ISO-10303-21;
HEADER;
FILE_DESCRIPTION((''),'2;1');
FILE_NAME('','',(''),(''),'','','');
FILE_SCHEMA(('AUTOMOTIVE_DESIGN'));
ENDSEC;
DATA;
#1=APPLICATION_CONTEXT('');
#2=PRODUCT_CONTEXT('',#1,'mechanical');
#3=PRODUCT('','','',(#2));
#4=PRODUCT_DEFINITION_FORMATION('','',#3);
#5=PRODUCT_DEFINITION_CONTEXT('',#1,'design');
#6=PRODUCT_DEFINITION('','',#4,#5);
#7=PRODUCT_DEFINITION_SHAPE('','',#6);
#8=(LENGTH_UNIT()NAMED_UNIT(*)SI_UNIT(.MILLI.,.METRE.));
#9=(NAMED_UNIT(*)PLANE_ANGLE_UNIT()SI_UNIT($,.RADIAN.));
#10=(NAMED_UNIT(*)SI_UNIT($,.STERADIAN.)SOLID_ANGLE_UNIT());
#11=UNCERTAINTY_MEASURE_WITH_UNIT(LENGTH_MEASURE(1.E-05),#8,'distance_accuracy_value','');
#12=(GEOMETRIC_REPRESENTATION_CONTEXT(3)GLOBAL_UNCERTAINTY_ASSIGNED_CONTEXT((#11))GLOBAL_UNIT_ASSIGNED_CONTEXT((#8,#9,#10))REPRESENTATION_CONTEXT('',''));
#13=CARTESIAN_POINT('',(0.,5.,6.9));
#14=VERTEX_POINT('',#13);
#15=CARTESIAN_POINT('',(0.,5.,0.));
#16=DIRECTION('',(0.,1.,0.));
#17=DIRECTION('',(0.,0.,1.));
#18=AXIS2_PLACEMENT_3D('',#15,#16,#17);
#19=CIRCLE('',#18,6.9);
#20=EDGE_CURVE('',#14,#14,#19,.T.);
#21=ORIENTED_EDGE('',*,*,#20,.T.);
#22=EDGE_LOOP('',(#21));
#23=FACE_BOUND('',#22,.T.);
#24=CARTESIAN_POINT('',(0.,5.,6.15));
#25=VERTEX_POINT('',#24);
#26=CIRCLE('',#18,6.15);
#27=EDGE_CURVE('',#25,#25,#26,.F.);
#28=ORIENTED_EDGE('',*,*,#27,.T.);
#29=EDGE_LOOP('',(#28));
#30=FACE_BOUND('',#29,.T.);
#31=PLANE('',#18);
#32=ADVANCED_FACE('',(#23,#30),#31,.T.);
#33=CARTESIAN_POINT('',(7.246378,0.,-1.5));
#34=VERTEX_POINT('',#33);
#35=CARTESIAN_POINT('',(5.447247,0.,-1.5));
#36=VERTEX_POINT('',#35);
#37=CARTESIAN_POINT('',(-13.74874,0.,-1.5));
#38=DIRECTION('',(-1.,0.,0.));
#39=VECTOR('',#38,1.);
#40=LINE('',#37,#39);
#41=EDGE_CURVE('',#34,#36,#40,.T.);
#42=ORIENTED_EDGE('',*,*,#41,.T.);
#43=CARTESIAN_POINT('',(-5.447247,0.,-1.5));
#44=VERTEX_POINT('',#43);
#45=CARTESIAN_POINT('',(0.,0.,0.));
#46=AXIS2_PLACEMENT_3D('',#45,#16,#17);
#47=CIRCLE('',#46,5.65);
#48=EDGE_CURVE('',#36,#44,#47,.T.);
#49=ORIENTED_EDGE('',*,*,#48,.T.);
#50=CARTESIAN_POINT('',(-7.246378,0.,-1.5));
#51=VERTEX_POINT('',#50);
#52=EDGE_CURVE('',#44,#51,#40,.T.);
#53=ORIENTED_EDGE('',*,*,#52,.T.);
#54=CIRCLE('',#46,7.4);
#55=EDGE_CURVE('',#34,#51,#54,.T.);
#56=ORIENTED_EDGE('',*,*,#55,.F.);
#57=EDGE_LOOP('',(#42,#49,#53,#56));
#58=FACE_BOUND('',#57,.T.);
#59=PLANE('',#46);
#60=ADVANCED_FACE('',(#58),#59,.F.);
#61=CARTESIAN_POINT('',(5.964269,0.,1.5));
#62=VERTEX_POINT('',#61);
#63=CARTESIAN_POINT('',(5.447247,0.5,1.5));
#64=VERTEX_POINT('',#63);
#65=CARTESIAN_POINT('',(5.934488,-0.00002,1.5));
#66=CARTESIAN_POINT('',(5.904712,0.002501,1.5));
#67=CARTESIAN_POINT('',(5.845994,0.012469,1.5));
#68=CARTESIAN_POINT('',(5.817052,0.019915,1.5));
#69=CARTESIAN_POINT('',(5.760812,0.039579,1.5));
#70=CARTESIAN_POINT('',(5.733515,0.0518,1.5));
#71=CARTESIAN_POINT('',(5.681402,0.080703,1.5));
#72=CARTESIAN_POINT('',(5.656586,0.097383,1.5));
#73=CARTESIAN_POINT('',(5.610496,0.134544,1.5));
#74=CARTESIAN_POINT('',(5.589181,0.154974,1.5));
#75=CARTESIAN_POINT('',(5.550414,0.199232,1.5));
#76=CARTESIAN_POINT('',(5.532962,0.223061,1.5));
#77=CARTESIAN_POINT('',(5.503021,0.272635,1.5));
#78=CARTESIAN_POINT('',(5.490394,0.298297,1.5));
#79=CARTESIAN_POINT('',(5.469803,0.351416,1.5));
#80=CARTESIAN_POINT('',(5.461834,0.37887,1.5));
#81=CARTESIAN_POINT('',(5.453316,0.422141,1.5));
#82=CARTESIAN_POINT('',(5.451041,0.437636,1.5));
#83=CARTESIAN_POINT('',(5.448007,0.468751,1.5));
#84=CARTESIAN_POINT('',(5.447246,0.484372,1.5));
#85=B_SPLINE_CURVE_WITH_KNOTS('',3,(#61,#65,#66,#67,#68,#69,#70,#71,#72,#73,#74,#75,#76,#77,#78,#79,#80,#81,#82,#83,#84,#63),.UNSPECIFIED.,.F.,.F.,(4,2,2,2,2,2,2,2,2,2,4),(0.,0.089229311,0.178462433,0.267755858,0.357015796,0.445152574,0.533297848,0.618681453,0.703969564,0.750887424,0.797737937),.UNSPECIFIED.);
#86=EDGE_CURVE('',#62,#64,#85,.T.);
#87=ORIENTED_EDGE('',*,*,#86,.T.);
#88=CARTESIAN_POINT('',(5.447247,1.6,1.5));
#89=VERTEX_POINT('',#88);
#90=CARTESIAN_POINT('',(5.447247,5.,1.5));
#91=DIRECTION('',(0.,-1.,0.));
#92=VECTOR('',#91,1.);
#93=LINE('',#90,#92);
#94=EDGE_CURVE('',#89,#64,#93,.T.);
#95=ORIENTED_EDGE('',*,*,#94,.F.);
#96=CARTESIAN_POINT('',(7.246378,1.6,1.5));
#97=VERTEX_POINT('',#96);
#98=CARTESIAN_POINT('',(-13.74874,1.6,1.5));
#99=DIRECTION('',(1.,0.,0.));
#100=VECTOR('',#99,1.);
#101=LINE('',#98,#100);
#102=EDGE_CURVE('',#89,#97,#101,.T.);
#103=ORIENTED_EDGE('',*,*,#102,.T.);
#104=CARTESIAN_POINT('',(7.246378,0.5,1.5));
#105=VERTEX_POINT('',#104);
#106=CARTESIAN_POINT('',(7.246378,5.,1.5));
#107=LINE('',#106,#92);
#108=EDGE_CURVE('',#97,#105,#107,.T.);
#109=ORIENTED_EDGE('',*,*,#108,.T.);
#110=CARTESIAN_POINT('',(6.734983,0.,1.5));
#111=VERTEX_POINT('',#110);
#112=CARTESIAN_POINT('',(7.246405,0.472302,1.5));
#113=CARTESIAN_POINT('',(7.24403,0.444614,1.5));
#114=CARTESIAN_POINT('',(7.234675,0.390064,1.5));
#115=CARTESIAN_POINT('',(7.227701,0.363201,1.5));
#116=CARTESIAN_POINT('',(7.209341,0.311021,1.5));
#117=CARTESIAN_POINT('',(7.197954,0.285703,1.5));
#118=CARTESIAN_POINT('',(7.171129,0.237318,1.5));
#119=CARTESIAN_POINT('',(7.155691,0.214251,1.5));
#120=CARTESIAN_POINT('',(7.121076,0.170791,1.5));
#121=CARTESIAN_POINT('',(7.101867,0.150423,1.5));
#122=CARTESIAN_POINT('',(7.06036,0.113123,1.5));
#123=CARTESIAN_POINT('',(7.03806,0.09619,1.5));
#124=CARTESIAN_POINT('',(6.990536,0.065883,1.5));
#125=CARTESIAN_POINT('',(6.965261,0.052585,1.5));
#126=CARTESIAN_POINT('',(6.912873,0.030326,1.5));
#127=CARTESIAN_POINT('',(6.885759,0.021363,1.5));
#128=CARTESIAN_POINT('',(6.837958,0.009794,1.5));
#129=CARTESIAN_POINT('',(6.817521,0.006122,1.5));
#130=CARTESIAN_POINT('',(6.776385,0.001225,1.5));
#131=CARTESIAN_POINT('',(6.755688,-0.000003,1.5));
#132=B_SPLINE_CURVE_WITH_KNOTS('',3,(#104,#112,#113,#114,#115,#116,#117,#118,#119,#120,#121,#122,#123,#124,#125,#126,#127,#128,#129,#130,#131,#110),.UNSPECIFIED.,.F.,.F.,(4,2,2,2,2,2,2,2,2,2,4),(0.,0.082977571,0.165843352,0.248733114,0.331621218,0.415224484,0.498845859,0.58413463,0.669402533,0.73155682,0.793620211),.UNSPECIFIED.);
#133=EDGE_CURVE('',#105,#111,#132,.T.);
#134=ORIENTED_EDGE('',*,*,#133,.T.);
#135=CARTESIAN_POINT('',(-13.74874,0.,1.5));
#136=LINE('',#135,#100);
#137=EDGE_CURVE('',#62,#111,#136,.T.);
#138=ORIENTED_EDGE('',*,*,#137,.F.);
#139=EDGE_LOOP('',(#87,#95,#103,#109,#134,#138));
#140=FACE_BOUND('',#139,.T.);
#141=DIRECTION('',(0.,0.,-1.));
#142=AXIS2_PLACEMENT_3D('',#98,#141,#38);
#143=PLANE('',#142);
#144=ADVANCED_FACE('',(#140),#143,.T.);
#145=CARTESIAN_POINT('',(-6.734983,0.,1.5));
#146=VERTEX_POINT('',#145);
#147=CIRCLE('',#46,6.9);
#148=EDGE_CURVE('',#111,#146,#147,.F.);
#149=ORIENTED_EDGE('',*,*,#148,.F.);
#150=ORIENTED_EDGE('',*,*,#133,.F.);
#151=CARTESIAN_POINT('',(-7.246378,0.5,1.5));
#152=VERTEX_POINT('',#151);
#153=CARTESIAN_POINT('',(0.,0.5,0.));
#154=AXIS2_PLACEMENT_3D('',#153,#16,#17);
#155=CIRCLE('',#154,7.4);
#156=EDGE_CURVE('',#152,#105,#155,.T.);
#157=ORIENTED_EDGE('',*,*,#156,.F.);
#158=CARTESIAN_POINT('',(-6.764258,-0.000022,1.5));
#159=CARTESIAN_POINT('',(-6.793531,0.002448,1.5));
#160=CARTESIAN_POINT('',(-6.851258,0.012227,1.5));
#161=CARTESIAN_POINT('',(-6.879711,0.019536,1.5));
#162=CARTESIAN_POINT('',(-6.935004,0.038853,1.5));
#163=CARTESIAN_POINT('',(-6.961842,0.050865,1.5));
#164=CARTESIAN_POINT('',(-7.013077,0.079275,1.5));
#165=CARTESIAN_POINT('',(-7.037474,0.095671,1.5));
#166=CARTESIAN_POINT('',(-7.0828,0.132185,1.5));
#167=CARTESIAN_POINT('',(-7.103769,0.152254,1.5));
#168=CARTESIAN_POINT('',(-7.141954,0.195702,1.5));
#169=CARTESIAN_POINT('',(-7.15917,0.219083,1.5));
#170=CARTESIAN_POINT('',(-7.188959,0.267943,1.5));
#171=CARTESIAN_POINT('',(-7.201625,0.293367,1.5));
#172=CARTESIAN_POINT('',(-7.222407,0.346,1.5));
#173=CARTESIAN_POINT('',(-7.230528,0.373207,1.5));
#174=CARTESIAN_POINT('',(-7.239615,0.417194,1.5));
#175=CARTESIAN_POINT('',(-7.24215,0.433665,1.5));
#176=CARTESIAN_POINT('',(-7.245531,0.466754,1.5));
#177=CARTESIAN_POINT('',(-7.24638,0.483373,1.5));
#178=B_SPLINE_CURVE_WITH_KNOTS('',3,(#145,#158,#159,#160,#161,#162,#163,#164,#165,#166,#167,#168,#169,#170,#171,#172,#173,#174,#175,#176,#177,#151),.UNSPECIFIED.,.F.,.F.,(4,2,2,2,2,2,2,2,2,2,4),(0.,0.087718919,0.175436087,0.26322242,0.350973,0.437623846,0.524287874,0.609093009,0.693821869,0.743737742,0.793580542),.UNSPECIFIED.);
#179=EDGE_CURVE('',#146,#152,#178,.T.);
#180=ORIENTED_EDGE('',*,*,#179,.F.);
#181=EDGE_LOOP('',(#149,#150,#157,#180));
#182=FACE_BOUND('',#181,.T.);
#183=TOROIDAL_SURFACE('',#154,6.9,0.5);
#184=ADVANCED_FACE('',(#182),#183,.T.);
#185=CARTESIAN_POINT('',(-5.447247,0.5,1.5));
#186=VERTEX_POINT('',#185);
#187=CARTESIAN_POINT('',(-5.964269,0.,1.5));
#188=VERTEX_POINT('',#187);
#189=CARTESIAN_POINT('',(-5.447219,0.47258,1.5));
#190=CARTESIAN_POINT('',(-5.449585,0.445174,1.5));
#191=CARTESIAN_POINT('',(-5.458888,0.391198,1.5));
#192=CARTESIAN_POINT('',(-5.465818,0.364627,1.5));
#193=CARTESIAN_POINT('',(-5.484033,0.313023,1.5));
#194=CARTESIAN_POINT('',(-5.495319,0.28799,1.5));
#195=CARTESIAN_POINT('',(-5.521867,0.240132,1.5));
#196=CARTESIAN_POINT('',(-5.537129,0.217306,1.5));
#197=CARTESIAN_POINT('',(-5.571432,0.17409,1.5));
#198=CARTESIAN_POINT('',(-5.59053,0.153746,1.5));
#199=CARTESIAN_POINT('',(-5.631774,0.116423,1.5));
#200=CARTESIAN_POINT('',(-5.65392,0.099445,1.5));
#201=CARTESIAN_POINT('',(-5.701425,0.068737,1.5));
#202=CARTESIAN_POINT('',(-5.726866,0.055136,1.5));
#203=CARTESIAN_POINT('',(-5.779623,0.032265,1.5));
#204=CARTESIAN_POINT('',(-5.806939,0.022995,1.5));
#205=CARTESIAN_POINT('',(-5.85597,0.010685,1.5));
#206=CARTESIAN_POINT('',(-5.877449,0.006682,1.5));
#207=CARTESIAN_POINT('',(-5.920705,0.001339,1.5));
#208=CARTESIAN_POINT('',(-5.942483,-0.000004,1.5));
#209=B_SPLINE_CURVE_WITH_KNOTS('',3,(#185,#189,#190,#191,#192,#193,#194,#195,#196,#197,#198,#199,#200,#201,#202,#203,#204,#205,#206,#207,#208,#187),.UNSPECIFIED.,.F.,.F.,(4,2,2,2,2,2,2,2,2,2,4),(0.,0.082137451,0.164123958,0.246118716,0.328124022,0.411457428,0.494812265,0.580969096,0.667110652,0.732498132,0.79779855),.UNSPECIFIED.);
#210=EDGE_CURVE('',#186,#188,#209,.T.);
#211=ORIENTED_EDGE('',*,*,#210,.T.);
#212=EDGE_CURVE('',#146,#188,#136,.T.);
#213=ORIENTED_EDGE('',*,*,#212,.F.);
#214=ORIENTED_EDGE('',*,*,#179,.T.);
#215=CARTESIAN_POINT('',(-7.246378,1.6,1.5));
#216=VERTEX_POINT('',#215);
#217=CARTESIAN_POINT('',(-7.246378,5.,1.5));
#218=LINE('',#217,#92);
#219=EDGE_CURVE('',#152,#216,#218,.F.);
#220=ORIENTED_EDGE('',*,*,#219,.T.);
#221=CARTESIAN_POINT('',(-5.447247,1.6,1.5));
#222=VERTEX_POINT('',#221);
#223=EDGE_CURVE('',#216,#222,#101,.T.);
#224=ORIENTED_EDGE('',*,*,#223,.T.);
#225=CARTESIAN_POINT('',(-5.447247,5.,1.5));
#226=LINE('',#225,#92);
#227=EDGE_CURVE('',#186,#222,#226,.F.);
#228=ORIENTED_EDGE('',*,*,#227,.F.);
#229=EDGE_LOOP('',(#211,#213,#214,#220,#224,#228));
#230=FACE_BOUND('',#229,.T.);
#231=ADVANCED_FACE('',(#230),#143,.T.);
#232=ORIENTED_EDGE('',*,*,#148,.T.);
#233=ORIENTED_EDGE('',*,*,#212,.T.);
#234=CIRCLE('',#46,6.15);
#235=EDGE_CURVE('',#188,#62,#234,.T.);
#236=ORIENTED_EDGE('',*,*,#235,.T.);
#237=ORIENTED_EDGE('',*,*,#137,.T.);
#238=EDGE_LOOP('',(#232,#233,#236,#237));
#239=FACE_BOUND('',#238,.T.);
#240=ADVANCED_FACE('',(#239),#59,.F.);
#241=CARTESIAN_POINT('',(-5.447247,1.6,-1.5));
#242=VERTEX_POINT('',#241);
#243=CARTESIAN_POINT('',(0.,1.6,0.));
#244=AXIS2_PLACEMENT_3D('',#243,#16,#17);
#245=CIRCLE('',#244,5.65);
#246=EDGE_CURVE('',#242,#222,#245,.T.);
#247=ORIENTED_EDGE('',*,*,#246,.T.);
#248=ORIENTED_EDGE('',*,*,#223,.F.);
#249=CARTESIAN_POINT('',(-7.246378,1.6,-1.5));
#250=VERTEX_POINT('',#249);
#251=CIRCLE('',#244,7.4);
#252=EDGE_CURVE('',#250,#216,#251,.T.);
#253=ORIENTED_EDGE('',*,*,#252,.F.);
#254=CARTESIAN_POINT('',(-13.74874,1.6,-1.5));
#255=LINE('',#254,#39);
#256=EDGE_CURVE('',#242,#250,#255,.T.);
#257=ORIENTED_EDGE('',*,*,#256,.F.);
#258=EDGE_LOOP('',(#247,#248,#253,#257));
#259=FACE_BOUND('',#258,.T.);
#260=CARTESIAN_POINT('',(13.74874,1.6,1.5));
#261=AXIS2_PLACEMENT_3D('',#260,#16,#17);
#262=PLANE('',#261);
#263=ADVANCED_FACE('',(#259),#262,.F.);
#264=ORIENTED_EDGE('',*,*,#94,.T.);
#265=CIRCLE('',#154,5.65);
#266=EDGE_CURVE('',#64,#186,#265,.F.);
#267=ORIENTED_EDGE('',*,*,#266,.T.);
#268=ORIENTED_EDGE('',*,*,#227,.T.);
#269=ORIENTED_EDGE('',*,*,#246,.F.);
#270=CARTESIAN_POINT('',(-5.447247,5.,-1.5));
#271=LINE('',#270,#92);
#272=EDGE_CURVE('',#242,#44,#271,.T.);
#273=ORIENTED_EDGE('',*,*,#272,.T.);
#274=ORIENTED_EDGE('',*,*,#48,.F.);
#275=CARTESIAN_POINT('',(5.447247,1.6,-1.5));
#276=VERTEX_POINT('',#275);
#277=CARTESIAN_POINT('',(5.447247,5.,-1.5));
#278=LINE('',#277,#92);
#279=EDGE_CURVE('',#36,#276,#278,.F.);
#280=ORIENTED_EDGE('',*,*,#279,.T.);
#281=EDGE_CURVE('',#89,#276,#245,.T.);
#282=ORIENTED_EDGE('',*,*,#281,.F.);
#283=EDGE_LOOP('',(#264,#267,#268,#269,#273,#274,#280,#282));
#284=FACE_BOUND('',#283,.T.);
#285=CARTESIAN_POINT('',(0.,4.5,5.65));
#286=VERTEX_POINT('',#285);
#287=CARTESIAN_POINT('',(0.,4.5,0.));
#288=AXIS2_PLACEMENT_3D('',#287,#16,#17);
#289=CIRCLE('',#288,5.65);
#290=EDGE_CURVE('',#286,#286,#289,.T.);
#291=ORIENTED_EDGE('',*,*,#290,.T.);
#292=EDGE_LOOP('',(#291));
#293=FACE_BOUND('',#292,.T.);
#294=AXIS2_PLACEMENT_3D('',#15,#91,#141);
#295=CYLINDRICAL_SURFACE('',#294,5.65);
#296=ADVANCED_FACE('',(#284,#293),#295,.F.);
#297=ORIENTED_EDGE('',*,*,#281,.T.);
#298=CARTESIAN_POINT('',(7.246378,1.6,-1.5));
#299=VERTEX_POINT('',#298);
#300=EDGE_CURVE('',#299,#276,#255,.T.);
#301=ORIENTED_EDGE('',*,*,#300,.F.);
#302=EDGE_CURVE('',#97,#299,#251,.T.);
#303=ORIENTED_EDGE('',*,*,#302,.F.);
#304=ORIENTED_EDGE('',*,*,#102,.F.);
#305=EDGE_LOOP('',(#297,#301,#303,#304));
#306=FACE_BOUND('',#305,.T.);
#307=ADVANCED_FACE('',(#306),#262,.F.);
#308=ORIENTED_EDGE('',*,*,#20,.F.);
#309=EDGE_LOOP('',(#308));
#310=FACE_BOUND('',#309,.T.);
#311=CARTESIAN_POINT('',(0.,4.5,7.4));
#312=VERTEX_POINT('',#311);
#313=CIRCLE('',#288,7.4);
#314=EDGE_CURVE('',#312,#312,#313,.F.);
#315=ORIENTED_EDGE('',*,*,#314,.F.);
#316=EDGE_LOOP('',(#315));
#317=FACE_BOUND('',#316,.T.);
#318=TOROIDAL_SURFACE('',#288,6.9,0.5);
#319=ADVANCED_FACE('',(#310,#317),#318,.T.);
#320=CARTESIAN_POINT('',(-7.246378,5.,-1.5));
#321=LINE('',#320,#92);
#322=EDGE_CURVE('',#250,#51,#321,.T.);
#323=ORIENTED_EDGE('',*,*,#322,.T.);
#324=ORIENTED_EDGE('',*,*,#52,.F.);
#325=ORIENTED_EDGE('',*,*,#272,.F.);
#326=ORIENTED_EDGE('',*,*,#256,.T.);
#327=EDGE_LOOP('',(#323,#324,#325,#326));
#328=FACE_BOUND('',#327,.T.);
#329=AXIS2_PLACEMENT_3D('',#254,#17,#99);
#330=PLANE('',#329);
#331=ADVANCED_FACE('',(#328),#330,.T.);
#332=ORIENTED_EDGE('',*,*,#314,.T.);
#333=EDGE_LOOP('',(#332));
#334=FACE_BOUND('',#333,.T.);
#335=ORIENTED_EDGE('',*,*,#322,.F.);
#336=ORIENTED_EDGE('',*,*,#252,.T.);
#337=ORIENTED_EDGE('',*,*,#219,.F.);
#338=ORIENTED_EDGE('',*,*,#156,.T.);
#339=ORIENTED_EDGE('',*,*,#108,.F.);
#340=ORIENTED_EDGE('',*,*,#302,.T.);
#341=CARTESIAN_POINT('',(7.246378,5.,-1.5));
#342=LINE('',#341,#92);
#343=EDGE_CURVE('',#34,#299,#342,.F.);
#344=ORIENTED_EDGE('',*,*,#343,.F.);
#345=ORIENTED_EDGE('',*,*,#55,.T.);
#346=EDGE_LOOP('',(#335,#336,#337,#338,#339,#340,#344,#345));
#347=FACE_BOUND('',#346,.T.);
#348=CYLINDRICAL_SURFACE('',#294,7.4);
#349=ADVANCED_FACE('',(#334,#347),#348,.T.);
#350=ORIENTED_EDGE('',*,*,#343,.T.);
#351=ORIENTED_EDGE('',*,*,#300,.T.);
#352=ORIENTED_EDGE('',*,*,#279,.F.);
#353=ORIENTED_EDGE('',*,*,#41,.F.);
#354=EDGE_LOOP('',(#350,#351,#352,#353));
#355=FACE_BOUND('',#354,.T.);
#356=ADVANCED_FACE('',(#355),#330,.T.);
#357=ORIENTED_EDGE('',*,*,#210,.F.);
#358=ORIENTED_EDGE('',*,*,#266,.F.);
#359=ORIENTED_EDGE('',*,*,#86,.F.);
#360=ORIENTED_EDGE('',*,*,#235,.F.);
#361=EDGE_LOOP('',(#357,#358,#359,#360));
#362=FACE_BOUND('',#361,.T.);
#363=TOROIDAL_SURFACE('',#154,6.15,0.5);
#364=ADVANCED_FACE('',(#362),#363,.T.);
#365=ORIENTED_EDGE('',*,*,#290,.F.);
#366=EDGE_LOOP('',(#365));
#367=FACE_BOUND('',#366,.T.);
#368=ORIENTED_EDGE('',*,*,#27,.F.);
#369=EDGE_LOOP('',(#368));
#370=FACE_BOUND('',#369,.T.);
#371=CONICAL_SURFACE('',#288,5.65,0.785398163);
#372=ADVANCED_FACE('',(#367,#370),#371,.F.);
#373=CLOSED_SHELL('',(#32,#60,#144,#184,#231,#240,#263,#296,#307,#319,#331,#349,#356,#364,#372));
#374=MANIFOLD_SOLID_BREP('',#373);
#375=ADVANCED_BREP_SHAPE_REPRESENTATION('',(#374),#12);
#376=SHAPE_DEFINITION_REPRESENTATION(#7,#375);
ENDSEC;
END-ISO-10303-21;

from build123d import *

# Parameters (mm, degrees)
SKETCH1_R           = 7.4
SKETCH1_R_2         = 5.65
BOSS_EXTRUDE1_DEPTH = 5
SKETCH2_W           = 27.497480526
SKETCH2_H           = 3
CUT_EXTRUDE2_DEPTH  = 1.6
FILLET1_R           = 0.5
CHAMFER1_SIZE       = 0.5


with BuildPart() as part:
    # Sketch1 → Boss-Extrude1 (new body)
    with BuildSketch(Plane(origin=(0, 0, 0), x_dir=(1, 0, 0), z_dir=(0, 1, 0))):
        with Locations(Location((0, 0, 0), (0, 0, 270))):
            Circle(SKETCH1_R)
        with Locations(Location((0, 0, 0), (0, 0, 270))):
            Circle(SKETCH1_R_2, mode=Mode.SUBTRACT)
    extrude(amount=BOSS_EXTRUDE1_DEPTH)

    # Sketch2 → Cut-Extrude2 (cut)
    with BuildSketch(Plane(origin=(0, 0, 0), x_dir=(1, 0, 0), z_dir=(0, 1, 0))):
        Rectangle(SKETCH2_W, SKETCH2_H)
    extrude(amount=CUT_EXTRUDE2_DEPTH, mode=Mode.SUBTRACT)

    # Fillet1
    fillet1_edges = [part.edges().sort_by_distance(p)[0] for p in [
        (-3.423996203, 0, 4.494301948),
        (4.672258554, 0, 5.738466694),
        (0, 5, -7.4),
    ]]
    fillet(fillet1_edges, radius=FILLET1_R)

    # Chamfer1
    chamfer1_edges = [part.edges().sort_by_distance(p)[0] for p in [
        (0, 5, -5.65),
    ]]
    chamfer(chamfer1_edges, length=CHAMFER1_SIZE)


solid = part.part
